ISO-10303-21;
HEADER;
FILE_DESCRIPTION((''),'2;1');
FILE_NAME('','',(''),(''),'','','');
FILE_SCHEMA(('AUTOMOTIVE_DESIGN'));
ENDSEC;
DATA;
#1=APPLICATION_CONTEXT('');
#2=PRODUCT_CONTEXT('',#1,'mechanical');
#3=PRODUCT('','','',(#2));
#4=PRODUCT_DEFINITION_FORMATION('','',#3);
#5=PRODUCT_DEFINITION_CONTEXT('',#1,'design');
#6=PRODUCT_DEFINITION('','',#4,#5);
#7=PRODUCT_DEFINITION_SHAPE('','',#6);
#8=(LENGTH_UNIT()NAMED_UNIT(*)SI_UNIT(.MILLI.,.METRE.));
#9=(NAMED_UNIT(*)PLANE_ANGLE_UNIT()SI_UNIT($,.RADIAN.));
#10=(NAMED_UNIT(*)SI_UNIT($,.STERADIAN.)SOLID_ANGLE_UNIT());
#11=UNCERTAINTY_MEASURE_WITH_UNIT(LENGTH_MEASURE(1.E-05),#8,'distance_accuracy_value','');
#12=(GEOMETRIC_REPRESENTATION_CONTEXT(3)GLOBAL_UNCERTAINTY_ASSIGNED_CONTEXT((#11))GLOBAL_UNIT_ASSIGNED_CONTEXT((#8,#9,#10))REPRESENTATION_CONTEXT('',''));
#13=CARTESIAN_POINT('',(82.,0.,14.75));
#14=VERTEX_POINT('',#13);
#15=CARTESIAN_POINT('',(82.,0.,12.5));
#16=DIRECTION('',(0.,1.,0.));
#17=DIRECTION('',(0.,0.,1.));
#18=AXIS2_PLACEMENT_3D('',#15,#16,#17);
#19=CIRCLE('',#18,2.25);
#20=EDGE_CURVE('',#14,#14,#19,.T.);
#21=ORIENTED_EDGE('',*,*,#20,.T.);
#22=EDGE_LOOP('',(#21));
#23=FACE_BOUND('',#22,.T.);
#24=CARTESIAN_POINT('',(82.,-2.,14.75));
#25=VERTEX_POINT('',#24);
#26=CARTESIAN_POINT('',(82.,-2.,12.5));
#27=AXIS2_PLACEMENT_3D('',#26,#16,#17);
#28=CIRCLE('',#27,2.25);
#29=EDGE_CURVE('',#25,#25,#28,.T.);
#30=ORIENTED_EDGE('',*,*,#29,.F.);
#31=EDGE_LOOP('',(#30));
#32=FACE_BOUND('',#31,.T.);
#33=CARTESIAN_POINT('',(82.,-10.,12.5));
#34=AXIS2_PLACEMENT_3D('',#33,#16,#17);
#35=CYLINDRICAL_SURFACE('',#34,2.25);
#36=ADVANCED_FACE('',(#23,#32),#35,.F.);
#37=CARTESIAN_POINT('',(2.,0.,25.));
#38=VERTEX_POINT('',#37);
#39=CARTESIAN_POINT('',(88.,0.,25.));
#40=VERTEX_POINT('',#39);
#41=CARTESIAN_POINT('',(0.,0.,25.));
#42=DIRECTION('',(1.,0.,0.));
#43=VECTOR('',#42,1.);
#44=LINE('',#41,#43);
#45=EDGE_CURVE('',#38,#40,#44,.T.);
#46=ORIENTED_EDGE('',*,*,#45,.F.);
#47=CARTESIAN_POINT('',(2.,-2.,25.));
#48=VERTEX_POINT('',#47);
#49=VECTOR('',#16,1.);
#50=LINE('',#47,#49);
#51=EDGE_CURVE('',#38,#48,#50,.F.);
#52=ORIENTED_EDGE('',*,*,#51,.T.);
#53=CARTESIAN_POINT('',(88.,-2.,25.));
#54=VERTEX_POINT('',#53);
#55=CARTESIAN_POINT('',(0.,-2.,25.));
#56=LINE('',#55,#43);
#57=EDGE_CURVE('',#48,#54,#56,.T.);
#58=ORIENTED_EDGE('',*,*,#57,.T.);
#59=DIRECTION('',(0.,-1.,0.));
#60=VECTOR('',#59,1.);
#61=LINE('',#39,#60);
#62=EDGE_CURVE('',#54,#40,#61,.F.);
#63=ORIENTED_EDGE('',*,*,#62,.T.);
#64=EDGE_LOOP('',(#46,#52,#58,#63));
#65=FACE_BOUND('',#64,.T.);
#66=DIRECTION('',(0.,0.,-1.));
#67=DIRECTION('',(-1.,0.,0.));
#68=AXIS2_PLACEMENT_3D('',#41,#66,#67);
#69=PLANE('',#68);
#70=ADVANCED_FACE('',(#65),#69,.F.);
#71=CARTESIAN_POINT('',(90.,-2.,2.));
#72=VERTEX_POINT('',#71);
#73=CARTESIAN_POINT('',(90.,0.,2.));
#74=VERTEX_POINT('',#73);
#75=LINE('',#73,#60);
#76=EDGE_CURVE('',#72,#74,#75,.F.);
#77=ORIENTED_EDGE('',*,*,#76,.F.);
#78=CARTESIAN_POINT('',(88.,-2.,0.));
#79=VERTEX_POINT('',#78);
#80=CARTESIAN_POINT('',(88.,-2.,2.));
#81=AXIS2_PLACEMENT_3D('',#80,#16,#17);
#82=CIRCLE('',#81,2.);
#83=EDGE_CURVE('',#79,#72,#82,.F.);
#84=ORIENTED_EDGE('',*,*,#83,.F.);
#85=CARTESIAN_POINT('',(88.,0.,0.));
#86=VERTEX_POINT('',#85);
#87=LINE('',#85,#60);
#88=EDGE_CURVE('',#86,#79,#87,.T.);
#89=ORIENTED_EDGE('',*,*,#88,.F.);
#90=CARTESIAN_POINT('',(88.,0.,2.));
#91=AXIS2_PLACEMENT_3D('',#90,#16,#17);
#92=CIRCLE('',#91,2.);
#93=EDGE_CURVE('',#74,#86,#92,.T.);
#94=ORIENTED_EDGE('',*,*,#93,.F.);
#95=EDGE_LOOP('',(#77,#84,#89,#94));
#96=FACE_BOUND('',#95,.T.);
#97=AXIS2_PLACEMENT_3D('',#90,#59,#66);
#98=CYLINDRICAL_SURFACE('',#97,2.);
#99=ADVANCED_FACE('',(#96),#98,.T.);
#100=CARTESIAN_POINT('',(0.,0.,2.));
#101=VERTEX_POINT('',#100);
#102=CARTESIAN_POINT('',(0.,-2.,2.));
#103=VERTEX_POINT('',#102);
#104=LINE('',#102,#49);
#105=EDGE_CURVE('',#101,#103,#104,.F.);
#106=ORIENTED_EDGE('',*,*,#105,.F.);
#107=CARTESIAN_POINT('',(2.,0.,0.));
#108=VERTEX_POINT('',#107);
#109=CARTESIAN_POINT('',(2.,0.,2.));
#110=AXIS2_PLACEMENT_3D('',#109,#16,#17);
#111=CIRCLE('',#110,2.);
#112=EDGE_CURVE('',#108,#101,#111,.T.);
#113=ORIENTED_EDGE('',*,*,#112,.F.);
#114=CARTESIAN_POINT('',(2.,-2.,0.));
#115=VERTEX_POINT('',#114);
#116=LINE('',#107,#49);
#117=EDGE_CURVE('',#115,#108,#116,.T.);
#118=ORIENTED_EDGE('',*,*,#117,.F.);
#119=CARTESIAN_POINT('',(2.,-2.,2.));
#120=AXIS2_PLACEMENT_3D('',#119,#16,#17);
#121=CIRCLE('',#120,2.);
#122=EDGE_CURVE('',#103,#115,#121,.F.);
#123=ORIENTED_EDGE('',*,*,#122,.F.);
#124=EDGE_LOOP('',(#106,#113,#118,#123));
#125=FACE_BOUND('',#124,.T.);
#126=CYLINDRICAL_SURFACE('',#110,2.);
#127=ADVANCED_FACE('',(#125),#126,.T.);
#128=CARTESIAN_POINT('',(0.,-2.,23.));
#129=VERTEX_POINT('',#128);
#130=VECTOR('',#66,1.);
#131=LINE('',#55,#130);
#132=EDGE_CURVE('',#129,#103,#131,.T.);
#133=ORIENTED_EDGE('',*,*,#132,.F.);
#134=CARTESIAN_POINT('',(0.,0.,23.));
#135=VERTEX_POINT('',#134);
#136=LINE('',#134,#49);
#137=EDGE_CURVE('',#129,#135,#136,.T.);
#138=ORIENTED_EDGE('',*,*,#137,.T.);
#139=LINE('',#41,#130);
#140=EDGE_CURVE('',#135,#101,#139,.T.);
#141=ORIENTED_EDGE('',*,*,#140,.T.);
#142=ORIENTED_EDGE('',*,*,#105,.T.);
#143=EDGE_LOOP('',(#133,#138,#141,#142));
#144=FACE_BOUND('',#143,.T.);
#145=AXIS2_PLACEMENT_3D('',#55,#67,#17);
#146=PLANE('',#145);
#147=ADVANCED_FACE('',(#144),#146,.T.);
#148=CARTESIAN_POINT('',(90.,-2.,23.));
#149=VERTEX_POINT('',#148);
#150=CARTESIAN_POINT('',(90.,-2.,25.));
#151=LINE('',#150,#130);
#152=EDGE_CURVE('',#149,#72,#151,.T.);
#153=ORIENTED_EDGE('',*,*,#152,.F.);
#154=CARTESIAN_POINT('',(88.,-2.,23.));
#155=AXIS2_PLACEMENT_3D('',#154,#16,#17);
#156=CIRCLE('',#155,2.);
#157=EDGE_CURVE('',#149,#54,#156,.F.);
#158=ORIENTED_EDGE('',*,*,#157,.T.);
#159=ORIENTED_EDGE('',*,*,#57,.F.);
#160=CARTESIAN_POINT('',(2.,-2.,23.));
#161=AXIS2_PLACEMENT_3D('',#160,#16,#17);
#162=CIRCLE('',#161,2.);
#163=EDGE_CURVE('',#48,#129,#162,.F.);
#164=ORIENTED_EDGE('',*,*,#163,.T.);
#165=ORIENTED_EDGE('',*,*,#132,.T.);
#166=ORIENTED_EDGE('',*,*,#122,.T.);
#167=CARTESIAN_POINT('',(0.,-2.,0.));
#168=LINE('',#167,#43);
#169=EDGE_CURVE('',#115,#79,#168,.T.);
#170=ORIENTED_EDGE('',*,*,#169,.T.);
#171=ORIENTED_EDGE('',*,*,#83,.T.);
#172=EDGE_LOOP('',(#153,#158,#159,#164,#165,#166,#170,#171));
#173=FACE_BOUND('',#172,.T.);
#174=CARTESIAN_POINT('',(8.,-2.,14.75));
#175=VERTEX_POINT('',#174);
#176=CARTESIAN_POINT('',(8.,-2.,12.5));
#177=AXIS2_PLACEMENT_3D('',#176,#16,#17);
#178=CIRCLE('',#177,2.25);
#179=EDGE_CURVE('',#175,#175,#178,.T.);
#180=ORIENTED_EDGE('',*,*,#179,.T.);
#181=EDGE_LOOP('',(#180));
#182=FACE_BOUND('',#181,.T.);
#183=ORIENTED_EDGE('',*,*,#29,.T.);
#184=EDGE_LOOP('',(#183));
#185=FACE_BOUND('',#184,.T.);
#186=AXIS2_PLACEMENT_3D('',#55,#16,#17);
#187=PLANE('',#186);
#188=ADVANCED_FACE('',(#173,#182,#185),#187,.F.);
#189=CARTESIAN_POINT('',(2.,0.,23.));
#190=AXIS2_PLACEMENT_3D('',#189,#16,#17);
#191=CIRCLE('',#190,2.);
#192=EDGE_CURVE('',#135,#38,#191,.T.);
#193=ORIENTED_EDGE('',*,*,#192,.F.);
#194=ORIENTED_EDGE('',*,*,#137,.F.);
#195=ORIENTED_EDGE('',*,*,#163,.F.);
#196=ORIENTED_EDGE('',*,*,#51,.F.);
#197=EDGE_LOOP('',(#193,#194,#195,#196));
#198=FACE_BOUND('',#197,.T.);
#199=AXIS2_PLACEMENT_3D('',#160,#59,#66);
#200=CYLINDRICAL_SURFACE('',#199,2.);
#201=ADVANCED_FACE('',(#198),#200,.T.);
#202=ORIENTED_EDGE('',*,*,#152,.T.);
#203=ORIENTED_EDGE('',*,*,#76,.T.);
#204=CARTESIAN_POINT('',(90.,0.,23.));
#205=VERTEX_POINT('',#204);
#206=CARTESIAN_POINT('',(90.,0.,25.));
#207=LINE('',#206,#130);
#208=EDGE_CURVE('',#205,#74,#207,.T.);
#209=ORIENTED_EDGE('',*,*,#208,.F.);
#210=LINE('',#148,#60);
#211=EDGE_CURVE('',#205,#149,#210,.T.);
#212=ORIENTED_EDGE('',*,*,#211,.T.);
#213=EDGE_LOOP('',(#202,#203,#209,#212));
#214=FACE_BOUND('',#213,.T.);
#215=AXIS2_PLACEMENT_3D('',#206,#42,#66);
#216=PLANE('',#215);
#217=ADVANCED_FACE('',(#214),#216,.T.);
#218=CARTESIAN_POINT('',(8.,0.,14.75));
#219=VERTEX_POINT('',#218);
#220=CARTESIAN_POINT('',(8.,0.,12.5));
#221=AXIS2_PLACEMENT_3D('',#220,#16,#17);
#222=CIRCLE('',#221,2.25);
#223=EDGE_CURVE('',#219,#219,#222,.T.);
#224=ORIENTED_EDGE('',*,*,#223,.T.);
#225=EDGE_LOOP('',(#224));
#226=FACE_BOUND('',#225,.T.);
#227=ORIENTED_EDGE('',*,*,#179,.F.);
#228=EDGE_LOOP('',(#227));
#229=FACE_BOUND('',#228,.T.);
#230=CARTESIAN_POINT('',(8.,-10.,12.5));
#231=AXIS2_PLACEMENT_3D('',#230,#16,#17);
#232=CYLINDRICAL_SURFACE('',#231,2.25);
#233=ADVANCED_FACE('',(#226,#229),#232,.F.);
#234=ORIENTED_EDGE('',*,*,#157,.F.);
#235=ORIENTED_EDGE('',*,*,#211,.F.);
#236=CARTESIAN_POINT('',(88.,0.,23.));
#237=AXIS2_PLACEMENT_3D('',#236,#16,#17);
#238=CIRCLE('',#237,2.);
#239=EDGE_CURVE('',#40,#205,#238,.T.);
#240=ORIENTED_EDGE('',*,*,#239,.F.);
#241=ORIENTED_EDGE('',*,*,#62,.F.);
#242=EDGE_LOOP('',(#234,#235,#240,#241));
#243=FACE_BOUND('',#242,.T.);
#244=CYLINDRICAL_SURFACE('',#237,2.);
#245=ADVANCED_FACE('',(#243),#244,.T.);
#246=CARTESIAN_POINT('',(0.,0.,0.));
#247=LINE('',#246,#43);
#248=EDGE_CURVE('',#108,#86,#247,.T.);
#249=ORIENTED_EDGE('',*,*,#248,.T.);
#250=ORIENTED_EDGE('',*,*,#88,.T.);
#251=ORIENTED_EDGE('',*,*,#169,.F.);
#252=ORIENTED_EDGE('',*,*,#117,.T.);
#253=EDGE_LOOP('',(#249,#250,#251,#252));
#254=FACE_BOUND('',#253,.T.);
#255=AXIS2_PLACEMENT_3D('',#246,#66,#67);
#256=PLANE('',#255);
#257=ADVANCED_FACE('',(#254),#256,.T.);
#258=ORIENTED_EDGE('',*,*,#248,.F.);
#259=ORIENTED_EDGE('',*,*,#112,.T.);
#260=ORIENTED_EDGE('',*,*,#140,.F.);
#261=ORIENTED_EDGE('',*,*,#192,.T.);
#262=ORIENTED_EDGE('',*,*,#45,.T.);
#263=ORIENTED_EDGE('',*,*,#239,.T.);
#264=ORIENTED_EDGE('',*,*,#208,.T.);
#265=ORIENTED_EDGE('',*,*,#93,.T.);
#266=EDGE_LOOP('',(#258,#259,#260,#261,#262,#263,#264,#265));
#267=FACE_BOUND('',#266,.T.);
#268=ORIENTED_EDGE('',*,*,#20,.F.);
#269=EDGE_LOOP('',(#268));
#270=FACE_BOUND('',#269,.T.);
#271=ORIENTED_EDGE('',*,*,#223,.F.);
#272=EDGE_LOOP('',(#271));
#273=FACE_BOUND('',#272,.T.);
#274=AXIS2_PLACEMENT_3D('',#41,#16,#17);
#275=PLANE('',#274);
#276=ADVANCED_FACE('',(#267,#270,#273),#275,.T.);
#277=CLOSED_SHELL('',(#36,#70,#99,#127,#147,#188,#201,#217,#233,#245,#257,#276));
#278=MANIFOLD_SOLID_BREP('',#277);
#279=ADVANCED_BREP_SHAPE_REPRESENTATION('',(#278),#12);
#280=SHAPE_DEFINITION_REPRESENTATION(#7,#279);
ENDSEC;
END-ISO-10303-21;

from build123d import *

# Parameters (mm, degrees)
ESQUISSE1_W             = 90
ESQUISSE1_H             = 2
EXTRU_MINCE1_DEPTH      = 25
CONG_1_R                = 2
CONG_2_R                = 2
CONG_3_R                = 2
CONG_4_R                = 2
ESQUISSE2_R             = 2.25
ENL_V_MAT_EXTRU_1_DEPTH = 10


with BuildPart() as part:
    # Esquisse1 → Extru.-Mince1 (new body)
    with BuildSketch(Plane.XY):
        with Locations((45, -1)):
            Rectangle(ESQUISSE1_W, ESQUISSE1_H)
    extrude(amount=EXTRU_MINCE1_DEPTH)

    # Congé1
    cong_1_edges = [part.edges().sort_by_distance(p)[0] for p in [
        (90, -1, 25),
    ]]
    fillet(cong_1_edges, radius=CONG_1_R)

    # Congé2
    cong_2_edges = [part.edges().sort_by_distance(p)[0] for p in [
        (90, -1, 0),
    ]]
    fillet(cong_2_edges, radius=CONG_2_R)

    # Congé3
    cong_3_edges = [part.edges().sort_by_distance(p)[0] for p in [
        (0, -1, 0),
    ]]
    fillet(cong_3_edges, radius=CONG_3_R)

    # Congé4
    cong_4_edges = [part.edges().sort_by_distance(p)[0] for p in [
        (0, -1, 25),
    ]]
    fillet(cong_4_edges, radius=CONG_4_R)

    # Esquisse2 → Enlèv. mat.-Extru.1 (cut)
    with BuildSketch(Plane(origin=(0, 0, 0), x_dir=(1, 0, 0), z_dir=(0, 1, 0))):
        with Locations(Location((82, -12.5, 0), (0, 0, 270))):
            Circle(ESQUISSE2_R)
        with Locations(Location((8, -12.5, 0), (0, 0, 270))):
            Circle(ESQUISSE2_R)
    extrude(amount=-ENL_V_MAT_EXTRU_1_DEPTH, mode=Mode.SUBTRACT)


solid = part.part
